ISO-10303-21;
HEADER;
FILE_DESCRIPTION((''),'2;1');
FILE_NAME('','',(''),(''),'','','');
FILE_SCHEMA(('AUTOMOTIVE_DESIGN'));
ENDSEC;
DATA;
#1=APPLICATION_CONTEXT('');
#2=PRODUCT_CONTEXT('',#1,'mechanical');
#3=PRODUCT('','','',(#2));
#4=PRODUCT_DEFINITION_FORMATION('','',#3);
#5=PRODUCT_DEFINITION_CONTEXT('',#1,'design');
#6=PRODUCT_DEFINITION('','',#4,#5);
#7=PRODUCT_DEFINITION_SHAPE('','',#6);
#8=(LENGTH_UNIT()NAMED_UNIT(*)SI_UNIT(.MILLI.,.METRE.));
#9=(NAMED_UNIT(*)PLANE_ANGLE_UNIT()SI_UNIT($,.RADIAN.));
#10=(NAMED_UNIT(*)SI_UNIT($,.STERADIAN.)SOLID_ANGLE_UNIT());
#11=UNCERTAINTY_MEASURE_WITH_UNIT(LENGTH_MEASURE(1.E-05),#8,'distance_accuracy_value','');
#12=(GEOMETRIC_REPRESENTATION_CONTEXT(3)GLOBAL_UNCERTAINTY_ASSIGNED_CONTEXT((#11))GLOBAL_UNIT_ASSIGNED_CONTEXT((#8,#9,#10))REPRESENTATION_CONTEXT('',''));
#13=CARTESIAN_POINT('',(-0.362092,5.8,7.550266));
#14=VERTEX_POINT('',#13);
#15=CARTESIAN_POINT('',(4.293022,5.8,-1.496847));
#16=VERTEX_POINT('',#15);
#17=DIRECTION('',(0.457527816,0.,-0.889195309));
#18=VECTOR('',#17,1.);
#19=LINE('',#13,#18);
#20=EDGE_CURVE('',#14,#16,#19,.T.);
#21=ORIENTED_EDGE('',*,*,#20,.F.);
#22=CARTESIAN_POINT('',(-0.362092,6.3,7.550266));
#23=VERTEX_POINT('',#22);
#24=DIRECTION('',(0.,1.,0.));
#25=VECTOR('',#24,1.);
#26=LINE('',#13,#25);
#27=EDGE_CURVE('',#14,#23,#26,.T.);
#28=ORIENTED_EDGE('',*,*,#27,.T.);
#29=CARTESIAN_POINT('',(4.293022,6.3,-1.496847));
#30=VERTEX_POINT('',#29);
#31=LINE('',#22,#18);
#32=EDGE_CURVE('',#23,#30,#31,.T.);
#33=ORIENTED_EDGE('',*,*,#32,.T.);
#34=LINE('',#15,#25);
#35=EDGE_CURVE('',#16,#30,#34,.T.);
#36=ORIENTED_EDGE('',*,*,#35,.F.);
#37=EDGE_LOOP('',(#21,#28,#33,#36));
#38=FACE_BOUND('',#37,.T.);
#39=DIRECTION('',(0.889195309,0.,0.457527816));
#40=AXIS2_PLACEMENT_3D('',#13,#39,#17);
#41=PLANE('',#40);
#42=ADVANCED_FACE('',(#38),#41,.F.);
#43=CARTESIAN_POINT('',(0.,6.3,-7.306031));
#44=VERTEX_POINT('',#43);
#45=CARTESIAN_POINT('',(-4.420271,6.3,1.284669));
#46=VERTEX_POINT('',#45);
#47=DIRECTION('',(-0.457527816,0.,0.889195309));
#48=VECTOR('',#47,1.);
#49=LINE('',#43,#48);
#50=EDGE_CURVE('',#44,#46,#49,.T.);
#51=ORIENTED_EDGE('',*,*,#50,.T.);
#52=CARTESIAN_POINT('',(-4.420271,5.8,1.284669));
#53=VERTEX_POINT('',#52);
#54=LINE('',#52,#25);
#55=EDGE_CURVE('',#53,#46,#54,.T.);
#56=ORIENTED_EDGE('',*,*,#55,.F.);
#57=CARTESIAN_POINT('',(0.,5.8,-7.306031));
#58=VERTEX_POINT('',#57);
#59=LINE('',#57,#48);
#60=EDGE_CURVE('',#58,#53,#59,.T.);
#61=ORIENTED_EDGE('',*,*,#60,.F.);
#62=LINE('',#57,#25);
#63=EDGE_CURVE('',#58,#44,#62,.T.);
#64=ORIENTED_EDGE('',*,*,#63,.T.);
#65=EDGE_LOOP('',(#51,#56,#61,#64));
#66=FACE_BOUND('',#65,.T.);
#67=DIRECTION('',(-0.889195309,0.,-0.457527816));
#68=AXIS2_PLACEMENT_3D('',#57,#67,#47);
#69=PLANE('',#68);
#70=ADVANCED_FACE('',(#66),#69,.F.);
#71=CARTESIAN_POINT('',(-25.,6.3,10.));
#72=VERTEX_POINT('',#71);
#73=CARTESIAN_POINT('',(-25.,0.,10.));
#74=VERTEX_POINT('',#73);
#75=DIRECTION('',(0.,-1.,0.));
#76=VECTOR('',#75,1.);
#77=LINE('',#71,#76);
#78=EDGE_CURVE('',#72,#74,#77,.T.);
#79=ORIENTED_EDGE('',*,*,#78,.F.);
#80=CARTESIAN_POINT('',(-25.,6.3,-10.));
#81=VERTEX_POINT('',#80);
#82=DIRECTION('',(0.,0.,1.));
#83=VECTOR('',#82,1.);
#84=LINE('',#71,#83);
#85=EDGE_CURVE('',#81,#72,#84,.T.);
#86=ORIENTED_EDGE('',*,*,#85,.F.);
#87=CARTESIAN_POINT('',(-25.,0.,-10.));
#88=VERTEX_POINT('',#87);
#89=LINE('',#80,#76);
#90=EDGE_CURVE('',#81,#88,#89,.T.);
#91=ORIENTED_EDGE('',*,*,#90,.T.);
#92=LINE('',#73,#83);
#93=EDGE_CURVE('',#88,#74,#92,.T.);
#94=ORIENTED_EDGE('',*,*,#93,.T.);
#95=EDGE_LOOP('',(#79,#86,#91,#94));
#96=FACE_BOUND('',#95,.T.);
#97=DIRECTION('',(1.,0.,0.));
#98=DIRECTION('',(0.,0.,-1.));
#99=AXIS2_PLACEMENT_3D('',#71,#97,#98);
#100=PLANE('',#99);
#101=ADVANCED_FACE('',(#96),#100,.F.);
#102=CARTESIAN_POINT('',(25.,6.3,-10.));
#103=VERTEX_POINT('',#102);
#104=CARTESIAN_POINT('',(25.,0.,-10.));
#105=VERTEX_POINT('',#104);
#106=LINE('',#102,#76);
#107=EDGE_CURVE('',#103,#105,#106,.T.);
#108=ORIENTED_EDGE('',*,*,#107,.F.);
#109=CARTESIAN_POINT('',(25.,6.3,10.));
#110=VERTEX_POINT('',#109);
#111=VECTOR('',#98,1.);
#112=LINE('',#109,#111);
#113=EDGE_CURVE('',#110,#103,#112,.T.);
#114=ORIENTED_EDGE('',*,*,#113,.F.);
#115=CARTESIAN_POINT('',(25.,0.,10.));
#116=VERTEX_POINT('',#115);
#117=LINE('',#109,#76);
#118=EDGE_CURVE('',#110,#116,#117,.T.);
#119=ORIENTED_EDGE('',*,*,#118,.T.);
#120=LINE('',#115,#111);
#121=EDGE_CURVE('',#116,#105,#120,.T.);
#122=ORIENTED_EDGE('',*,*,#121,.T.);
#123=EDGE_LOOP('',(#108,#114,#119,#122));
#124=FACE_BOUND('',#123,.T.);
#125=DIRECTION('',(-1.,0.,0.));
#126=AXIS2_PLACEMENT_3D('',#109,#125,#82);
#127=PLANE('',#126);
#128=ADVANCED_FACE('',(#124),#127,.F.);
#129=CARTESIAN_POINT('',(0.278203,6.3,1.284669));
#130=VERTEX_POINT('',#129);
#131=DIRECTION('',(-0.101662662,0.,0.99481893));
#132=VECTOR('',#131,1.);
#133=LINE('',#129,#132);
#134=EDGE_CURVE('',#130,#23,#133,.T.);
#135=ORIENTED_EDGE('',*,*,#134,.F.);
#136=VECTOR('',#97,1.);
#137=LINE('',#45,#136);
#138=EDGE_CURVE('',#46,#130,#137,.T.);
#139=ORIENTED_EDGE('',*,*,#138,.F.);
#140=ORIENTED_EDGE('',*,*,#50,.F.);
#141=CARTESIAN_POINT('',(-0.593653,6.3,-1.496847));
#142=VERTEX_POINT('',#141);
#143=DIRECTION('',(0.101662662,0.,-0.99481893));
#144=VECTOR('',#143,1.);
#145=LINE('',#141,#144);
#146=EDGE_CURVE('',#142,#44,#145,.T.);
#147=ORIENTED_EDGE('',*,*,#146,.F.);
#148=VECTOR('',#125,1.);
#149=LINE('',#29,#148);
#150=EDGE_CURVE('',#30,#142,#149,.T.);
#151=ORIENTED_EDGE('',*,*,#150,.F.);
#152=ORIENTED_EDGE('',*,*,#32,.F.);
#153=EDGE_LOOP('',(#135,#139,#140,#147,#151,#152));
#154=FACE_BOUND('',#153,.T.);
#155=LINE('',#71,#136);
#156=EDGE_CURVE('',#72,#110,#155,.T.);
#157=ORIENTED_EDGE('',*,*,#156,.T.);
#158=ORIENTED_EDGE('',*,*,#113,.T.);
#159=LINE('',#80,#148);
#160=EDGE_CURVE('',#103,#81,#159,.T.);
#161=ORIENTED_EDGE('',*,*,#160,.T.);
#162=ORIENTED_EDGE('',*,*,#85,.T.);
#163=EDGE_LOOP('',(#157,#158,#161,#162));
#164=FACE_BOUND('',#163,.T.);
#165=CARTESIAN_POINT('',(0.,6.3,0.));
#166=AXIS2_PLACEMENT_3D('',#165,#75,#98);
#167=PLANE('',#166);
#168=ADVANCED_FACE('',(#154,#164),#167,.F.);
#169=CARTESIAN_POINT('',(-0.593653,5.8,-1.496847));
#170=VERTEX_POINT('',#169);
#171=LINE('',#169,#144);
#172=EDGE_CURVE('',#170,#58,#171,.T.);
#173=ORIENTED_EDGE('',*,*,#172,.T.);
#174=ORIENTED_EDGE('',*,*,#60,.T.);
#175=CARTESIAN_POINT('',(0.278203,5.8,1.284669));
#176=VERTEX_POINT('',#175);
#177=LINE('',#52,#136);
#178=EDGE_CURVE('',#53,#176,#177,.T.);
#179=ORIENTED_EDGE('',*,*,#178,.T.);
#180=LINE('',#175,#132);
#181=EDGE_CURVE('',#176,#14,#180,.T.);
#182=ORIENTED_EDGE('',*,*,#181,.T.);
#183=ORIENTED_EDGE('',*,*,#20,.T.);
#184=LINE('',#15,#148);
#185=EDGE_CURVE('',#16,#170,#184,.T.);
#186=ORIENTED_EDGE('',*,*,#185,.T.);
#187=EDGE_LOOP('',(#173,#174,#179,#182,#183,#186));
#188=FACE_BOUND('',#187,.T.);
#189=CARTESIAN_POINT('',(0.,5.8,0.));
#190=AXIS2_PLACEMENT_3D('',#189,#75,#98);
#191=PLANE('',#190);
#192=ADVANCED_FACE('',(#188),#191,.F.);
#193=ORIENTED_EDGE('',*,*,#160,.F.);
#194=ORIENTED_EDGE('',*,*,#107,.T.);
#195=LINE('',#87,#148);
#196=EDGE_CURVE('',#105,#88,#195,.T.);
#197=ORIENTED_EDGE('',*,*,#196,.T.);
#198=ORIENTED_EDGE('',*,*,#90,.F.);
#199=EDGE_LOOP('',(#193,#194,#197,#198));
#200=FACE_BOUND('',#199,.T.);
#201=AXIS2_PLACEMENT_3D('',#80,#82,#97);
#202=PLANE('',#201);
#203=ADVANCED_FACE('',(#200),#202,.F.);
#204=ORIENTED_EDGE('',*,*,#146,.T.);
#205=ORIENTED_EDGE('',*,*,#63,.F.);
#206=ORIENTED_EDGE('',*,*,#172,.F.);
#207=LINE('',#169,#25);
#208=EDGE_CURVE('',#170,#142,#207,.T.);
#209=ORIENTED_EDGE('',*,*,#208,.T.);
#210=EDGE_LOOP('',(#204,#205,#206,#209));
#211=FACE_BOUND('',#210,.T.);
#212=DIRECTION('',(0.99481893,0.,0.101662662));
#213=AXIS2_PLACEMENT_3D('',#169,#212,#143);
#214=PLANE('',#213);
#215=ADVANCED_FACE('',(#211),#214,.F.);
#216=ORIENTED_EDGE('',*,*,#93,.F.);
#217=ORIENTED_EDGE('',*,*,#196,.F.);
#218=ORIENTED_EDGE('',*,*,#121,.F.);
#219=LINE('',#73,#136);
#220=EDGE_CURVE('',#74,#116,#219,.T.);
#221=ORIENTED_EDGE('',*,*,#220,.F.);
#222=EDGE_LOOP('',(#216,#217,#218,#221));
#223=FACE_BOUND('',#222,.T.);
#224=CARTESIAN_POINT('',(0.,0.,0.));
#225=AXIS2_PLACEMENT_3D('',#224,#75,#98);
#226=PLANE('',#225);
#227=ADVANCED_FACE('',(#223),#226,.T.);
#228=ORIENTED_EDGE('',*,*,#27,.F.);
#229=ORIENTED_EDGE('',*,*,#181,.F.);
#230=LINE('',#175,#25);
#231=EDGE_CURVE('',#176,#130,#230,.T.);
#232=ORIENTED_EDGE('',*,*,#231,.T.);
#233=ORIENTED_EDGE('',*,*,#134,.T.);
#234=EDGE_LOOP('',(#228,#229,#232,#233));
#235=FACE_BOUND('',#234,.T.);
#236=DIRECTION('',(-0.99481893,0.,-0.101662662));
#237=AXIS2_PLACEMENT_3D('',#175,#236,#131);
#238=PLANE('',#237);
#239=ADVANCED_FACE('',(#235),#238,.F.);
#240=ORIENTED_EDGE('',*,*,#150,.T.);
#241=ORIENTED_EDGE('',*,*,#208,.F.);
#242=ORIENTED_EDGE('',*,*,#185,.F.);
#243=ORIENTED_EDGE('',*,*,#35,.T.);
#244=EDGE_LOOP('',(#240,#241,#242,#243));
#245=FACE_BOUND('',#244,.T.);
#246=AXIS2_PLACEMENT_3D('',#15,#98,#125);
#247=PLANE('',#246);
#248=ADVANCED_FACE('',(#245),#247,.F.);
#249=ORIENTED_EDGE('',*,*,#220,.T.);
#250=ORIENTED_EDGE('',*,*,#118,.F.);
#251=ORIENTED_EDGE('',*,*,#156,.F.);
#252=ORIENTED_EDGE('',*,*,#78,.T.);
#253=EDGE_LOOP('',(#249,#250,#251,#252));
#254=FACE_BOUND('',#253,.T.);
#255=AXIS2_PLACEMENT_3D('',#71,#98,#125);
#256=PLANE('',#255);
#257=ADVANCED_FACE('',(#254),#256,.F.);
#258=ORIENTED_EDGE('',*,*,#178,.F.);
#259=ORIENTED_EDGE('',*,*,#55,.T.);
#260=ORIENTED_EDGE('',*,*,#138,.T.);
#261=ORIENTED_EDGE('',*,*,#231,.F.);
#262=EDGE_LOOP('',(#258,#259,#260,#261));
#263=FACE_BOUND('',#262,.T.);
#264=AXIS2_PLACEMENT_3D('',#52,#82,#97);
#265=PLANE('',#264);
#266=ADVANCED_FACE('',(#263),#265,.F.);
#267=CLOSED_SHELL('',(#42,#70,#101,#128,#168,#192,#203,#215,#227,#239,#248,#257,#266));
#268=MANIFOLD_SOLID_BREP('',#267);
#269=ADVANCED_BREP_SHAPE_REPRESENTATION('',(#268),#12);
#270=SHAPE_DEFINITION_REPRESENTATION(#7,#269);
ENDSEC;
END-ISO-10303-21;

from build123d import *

# Parameters (mm, degrees)
SKETCH1_W           = 50
SKETCH1_H           = 20
BOSS_EXTRUDE1_DEPTH = 6.3
CUT_EXTRUDE1_DEPTH  = 0.5


with BuildPart() as part:
    # Sketch1 → Boss-Extrude1 (new body)
    with BuildSketch(Plane(origin=(0, 0, 0), x_dir=(1, 0, 0), z_dir=(0, 1, 0))):
        Rectangle(SKETCH1_W, SKETCH1_H)
    extrude(amount=BOSS_EXTRUDE1_DEPTH)

    # Sketch2 → Cut-Extrude1 (cut)
    with BuildSketch(Plane(origin=(0, 6.3, 0), x_dir=(1, 0, 0), z_dir=(0, 1, 0))):
        Polygon((0, 7.306031024), (-4.42027104, -1.284669112), (0.278202797, -1.284669112), (-0.362091911, -7.550266361), (4.293022443, 1.49684662), (-0.593652908, 1.49684662), align=None)
    extrude(amount=-CUT_EXTRUDE1_DEPTH, mode=Mode.SUBTRACT)


solid = part.part
